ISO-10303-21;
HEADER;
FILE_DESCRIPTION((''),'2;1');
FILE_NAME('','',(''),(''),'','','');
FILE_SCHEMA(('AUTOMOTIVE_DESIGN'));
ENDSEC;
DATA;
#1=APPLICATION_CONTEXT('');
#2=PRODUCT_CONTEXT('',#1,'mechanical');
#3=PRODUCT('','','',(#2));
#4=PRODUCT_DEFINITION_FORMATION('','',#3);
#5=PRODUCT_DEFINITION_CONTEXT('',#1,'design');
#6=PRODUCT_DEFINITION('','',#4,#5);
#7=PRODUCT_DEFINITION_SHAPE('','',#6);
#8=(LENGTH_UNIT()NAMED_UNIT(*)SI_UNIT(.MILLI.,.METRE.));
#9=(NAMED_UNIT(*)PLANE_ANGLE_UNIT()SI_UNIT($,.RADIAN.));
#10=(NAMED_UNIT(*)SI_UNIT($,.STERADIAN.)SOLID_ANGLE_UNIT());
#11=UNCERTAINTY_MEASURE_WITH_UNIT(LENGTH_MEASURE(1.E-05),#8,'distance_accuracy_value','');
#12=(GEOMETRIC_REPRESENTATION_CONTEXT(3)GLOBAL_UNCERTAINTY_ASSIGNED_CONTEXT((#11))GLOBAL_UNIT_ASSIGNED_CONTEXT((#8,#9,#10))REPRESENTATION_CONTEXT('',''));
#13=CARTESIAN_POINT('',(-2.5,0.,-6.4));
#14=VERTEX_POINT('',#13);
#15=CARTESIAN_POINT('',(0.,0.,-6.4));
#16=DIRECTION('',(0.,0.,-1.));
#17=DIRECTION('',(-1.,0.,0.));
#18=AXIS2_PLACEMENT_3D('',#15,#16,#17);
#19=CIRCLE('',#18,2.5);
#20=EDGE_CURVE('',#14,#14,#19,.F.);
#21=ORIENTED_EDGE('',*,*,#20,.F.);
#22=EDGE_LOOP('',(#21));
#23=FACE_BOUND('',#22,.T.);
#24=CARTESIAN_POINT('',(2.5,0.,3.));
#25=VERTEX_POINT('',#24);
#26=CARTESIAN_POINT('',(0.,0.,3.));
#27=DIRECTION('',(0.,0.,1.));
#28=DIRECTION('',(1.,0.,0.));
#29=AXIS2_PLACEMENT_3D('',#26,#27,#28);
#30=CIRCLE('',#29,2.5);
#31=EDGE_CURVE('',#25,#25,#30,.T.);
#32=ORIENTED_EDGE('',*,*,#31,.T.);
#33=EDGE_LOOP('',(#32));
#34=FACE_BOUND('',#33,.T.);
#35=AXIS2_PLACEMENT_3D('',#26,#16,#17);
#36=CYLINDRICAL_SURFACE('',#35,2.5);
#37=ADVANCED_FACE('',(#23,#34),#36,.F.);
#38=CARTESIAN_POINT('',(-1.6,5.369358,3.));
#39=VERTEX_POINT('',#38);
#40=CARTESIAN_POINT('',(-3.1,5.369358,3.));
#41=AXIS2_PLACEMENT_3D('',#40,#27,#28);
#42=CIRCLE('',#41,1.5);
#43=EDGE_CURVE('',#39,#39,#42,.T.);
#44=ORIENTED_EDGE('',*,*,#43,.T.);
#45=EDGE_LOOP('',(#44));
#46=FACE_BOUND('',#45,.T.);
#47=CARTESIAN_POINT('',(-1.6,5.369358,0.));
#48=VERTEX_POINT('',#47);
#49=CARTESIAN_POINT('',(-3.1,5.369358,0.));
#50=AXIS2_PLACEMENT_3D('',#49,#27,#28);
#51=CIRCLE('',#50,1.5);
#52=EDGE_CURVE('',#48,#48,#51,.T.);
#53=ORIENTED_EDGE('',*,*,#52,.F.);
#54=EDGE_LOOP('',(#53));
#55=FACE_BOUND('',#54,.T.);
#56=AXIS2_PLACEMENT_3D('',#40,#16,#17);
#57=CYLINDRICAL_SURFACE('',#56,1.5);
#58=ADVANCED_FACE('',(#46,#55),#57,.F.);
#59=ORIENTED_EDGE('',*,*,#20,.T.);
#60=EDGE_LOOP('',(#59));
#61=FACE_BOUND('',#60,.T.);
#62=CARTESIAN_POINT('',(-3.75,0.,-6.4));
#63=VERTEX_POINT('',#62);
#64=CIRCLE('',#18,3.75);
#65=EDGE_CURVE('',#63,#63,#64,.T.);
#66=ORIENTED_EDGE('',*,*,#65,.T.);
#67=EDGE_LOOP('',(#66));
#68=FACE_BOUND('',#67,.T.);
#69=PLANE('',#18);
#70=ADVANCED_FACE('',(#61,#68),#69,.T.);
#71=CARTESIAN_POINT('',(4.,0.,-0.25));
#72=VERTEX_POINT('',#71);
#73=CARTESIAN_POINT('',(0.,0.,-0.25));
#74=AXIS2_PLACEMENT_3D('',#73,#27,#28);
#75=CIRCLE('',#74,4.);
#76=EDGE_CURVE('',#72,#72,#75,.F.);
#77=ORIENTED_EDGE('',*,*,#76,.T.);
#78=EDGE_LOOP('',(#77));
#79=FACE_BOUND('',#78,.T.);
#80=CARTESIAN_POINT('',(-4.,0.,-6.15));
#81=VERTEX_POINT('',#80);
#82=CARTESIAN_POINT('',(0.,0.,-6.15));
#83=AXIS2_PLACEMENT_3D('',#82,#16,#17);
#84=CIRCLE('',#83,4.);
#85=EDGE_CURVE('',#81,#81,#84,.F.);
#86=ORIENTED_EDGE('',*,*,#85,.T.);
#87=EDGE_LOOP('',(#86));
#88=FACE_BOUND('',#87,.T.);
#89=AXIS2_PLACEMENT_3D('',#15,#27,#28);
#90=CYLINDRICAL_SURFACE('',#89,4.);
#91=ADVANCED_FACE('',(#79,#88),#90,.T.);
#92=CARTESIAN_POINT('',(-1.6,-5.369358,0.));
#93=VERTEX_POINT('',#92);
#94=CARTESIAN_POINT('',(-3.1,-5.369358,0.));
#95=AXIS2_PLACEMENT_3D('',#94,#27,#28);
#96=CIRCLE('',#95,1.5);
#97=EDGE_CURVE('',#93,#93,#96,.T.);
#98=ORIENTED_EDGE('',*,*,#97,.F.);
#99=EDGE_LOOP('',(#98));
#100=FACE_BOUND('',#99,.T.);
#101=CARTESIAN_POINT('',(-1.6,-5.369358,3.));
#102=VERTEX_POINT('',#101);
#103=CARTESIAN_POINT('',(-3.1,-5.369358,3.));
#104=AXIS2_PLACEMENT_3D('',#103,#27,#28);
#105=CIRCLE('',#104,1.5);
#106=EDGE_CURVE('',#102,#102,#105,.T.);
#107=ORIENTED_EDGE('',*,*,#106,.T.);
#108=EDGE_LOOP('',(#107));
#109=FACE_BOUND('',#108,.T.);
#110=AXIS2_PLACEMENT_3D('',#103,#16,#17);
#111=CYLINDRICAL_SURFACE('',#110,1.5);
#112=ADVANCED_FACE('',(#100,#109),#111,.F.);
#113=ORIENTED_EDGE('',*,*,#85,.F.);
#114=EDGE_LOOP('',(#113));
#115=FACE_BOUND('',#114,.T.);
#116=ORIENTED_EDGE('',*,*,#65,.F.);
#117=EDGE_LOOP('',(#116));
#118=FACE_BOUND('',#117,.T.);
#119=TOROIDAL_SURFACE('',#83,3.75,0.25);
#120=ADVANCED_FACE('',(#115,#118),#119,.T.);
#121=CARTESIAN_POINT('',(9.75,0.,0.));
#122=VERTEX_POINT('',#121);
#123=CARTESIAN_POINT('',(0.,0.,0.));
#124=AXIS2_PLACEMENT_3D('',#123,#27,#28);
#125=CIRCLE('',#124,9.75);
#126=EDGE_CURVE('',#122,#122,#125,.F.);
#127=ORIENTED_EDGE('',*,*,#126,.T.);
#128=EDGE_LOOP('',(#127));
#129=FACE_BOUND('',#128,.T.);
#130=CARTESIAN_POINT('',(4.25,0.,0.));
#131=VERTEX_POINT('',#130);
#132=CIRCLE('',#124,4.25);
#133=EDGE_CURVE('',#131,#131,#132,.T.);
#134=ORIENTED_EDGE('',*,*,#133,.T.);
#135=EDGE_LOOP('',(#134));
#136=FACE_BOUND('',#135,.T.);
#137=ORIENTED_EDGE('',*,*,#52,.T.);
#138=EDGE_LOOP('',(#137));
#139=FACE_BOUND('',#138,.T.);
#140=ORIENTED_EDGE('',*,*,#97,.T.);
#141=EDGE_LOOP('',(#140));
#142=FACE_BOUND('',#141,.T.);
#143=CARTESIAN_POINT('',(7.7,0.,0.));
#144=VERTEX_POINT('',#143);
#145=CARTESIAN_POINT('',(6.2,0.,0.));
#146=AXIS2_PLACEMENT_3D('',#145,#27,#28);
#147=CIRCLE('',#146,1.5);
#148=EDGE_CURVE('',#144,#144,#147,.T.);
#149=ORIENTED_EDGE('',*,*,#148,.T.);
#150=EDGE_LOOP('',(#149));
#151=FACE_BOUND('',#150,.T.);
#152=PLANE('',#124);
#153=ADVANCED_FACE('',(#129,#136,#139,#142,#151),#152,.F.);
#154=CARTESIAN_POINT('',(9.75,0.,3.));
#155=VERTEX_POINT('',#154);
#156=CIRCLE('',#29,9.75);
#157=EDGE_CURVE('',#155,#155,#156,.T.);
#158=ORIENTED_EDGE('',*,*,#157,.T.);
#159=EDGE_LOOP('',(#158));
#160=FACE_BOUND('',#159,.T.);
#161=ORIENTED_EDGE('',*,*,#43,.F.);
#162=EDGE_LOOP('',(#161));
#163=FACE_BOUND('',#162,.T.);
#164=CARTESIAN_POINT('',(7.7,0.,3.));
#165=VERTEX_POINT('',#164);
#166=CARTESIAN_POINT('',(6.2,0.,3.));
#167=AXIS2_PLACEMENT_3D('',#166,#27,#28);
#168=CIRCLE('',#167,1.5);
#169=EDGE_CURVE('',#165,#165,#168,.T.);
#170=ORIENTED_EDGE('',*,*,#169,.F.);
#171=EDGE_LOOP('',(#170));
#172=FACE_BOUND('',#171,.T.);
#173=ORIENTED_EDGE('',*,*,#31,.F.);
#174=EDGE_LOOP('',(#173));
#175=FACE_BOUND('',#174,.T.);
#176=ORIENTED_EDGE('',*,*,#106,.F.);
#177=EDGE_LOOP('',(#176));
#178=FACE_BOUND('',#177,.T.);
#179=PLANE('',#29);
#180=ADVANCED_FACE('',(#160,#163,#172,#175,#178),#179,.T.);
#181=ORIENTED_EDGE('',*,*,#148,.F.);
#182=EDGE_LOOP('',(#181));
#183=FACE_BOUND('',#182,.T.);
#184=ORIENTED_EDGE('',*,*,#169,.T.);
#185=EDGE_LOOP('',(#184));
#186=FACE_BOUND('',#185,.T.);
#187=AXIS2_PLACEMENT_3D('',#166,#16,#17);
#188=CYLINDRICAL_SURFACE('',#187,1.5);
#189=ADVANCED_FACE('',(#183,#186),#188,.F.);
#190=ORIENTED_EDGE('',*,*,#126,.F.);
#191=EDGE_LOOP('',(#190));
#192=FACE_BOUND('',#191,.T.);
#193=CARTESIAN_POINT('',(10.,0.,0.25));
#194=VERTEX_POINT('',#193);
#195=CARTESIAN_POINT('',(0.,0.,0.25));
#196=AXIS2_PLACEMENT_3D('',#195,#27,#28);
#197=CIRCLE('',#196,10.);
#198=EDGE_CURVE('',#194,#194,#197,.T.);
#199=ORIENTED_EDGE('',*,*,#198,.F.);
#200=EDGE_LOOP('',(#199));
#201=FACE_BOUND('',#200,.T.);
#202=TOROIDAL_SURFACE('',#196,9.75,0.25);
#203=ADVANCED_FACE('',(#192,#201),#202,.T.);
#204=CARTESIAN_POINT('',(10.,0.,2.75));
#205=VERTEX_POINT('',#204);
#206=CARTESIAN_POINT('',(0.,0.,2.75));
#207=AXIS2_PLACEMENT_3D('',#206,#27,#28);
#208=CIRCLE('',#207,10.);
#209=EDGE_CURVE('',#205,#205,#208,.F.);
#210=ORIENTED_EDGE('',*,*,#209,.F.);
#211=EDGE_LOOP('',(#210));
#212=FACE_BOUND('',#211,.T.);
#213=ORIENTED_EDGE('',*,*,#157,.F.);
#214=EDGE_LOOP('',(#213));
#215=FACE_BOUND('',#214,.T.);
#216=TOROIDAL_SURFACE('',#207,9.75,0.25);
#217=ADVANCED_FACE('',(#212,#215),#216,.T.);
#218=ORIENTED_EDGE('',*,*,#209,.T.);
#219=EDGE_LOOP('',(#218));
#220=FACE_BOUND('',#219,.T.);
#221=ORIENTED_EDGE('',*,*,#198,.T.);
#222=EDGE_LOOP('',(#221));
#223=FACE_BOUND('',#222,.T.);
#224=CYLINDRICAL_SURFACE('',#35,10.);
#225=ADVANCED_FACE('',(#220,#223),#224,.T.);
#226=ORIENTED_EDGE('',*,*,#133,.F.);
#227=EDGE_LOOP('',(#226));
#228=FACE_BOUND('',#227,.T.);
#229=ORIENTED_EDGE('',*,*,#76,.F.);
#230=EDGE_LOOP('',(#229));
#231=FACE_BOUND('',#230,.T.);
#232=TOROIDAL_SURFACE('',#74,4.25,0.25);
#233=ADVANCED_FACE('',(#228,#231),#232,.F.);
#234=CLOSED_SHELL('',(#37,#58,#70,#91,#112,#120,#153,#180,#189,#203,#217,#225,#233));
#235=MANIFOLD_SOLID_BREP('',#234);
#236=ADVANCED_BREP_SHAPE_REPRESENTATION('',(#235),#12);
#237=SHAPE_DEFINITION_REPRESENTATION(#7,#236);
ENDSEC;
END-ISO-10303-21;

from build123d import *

# Parameters (mm, degrees)
SKETCH1_R           = 10
SKETCH1_R_2         = 2.5
SKETCH1_R_3         = 1.5
BOSS_EXTRUDE1_DEPTH = 3
SKETCH2_R           = 4
SKETCH2_R_2         = 2.5
BOSS_EXTRUDE2_DEPTH = 6.4
FILLET1_R           = 0.25
FILLET2_R           = 0.25
FILLET3_R           = 0.25


with BuildPart() as part:
    # Sketch1 → Boss-Extrude1 (new body)
    with BuildSketch(Plane.XY):
        Circle(SKETCH1_R)
        Circle(SKETCH1_R_2, mode=Mode.SUBTRACT)
        with Locations((6.2, 0)):
            Circle(SKETCH1_R_3, mode=Mode.SUBTRACT)
        with Locations((-3.1, -5.369357503)):
            Circle(SKETCH1_R_3, mode=Mode.SUBTRACT)
        with Locations((-3.1, 5.369357503)):
            Circle(SKETCH1_R_3, mode=Mode.SUBTRACT)
    extrude(amount=BOSS_EXTRUDE1_DEPTH)

    # Sketch2 → Boss-Extrude2 (add)
    with BuildSketch(Plane(origin=(0, 0, 0), x_dir=(-1, 0, 0), z_dir=(0, 0, -1))):
        Circle(SKETCH2_R)
        Circle(SKETCH2_R_2, mode=Mode.SUBTRACT)
    extrude(amount=BOSS_EXTRUDE2_DEPTH)

    # Fillet1
    fillet1_edges = [part.edges().sort_by_distance(p)[0] for p in [
        (4, 0, 0),
    ]]
    fillet(fillet1_edges, radius=FILLET1_R)

    # Fillet2
    fillet2_edges = [part.edges().sort_by_distance(p)[0] for p in [
        (4, 0, -6.4),
    ]]
    fillet(fillet2_edges, radius=FILLET2_R)

    # Fillet3
    fillet3_edges = [part.edges().sort_by_distance(p)[0] for p in [
        (-10, 0, 0),
        (-10, 0, 3),
    ]]
    fillet(fillet3_edges, radius=FILLET3_R)


solid = part.part
